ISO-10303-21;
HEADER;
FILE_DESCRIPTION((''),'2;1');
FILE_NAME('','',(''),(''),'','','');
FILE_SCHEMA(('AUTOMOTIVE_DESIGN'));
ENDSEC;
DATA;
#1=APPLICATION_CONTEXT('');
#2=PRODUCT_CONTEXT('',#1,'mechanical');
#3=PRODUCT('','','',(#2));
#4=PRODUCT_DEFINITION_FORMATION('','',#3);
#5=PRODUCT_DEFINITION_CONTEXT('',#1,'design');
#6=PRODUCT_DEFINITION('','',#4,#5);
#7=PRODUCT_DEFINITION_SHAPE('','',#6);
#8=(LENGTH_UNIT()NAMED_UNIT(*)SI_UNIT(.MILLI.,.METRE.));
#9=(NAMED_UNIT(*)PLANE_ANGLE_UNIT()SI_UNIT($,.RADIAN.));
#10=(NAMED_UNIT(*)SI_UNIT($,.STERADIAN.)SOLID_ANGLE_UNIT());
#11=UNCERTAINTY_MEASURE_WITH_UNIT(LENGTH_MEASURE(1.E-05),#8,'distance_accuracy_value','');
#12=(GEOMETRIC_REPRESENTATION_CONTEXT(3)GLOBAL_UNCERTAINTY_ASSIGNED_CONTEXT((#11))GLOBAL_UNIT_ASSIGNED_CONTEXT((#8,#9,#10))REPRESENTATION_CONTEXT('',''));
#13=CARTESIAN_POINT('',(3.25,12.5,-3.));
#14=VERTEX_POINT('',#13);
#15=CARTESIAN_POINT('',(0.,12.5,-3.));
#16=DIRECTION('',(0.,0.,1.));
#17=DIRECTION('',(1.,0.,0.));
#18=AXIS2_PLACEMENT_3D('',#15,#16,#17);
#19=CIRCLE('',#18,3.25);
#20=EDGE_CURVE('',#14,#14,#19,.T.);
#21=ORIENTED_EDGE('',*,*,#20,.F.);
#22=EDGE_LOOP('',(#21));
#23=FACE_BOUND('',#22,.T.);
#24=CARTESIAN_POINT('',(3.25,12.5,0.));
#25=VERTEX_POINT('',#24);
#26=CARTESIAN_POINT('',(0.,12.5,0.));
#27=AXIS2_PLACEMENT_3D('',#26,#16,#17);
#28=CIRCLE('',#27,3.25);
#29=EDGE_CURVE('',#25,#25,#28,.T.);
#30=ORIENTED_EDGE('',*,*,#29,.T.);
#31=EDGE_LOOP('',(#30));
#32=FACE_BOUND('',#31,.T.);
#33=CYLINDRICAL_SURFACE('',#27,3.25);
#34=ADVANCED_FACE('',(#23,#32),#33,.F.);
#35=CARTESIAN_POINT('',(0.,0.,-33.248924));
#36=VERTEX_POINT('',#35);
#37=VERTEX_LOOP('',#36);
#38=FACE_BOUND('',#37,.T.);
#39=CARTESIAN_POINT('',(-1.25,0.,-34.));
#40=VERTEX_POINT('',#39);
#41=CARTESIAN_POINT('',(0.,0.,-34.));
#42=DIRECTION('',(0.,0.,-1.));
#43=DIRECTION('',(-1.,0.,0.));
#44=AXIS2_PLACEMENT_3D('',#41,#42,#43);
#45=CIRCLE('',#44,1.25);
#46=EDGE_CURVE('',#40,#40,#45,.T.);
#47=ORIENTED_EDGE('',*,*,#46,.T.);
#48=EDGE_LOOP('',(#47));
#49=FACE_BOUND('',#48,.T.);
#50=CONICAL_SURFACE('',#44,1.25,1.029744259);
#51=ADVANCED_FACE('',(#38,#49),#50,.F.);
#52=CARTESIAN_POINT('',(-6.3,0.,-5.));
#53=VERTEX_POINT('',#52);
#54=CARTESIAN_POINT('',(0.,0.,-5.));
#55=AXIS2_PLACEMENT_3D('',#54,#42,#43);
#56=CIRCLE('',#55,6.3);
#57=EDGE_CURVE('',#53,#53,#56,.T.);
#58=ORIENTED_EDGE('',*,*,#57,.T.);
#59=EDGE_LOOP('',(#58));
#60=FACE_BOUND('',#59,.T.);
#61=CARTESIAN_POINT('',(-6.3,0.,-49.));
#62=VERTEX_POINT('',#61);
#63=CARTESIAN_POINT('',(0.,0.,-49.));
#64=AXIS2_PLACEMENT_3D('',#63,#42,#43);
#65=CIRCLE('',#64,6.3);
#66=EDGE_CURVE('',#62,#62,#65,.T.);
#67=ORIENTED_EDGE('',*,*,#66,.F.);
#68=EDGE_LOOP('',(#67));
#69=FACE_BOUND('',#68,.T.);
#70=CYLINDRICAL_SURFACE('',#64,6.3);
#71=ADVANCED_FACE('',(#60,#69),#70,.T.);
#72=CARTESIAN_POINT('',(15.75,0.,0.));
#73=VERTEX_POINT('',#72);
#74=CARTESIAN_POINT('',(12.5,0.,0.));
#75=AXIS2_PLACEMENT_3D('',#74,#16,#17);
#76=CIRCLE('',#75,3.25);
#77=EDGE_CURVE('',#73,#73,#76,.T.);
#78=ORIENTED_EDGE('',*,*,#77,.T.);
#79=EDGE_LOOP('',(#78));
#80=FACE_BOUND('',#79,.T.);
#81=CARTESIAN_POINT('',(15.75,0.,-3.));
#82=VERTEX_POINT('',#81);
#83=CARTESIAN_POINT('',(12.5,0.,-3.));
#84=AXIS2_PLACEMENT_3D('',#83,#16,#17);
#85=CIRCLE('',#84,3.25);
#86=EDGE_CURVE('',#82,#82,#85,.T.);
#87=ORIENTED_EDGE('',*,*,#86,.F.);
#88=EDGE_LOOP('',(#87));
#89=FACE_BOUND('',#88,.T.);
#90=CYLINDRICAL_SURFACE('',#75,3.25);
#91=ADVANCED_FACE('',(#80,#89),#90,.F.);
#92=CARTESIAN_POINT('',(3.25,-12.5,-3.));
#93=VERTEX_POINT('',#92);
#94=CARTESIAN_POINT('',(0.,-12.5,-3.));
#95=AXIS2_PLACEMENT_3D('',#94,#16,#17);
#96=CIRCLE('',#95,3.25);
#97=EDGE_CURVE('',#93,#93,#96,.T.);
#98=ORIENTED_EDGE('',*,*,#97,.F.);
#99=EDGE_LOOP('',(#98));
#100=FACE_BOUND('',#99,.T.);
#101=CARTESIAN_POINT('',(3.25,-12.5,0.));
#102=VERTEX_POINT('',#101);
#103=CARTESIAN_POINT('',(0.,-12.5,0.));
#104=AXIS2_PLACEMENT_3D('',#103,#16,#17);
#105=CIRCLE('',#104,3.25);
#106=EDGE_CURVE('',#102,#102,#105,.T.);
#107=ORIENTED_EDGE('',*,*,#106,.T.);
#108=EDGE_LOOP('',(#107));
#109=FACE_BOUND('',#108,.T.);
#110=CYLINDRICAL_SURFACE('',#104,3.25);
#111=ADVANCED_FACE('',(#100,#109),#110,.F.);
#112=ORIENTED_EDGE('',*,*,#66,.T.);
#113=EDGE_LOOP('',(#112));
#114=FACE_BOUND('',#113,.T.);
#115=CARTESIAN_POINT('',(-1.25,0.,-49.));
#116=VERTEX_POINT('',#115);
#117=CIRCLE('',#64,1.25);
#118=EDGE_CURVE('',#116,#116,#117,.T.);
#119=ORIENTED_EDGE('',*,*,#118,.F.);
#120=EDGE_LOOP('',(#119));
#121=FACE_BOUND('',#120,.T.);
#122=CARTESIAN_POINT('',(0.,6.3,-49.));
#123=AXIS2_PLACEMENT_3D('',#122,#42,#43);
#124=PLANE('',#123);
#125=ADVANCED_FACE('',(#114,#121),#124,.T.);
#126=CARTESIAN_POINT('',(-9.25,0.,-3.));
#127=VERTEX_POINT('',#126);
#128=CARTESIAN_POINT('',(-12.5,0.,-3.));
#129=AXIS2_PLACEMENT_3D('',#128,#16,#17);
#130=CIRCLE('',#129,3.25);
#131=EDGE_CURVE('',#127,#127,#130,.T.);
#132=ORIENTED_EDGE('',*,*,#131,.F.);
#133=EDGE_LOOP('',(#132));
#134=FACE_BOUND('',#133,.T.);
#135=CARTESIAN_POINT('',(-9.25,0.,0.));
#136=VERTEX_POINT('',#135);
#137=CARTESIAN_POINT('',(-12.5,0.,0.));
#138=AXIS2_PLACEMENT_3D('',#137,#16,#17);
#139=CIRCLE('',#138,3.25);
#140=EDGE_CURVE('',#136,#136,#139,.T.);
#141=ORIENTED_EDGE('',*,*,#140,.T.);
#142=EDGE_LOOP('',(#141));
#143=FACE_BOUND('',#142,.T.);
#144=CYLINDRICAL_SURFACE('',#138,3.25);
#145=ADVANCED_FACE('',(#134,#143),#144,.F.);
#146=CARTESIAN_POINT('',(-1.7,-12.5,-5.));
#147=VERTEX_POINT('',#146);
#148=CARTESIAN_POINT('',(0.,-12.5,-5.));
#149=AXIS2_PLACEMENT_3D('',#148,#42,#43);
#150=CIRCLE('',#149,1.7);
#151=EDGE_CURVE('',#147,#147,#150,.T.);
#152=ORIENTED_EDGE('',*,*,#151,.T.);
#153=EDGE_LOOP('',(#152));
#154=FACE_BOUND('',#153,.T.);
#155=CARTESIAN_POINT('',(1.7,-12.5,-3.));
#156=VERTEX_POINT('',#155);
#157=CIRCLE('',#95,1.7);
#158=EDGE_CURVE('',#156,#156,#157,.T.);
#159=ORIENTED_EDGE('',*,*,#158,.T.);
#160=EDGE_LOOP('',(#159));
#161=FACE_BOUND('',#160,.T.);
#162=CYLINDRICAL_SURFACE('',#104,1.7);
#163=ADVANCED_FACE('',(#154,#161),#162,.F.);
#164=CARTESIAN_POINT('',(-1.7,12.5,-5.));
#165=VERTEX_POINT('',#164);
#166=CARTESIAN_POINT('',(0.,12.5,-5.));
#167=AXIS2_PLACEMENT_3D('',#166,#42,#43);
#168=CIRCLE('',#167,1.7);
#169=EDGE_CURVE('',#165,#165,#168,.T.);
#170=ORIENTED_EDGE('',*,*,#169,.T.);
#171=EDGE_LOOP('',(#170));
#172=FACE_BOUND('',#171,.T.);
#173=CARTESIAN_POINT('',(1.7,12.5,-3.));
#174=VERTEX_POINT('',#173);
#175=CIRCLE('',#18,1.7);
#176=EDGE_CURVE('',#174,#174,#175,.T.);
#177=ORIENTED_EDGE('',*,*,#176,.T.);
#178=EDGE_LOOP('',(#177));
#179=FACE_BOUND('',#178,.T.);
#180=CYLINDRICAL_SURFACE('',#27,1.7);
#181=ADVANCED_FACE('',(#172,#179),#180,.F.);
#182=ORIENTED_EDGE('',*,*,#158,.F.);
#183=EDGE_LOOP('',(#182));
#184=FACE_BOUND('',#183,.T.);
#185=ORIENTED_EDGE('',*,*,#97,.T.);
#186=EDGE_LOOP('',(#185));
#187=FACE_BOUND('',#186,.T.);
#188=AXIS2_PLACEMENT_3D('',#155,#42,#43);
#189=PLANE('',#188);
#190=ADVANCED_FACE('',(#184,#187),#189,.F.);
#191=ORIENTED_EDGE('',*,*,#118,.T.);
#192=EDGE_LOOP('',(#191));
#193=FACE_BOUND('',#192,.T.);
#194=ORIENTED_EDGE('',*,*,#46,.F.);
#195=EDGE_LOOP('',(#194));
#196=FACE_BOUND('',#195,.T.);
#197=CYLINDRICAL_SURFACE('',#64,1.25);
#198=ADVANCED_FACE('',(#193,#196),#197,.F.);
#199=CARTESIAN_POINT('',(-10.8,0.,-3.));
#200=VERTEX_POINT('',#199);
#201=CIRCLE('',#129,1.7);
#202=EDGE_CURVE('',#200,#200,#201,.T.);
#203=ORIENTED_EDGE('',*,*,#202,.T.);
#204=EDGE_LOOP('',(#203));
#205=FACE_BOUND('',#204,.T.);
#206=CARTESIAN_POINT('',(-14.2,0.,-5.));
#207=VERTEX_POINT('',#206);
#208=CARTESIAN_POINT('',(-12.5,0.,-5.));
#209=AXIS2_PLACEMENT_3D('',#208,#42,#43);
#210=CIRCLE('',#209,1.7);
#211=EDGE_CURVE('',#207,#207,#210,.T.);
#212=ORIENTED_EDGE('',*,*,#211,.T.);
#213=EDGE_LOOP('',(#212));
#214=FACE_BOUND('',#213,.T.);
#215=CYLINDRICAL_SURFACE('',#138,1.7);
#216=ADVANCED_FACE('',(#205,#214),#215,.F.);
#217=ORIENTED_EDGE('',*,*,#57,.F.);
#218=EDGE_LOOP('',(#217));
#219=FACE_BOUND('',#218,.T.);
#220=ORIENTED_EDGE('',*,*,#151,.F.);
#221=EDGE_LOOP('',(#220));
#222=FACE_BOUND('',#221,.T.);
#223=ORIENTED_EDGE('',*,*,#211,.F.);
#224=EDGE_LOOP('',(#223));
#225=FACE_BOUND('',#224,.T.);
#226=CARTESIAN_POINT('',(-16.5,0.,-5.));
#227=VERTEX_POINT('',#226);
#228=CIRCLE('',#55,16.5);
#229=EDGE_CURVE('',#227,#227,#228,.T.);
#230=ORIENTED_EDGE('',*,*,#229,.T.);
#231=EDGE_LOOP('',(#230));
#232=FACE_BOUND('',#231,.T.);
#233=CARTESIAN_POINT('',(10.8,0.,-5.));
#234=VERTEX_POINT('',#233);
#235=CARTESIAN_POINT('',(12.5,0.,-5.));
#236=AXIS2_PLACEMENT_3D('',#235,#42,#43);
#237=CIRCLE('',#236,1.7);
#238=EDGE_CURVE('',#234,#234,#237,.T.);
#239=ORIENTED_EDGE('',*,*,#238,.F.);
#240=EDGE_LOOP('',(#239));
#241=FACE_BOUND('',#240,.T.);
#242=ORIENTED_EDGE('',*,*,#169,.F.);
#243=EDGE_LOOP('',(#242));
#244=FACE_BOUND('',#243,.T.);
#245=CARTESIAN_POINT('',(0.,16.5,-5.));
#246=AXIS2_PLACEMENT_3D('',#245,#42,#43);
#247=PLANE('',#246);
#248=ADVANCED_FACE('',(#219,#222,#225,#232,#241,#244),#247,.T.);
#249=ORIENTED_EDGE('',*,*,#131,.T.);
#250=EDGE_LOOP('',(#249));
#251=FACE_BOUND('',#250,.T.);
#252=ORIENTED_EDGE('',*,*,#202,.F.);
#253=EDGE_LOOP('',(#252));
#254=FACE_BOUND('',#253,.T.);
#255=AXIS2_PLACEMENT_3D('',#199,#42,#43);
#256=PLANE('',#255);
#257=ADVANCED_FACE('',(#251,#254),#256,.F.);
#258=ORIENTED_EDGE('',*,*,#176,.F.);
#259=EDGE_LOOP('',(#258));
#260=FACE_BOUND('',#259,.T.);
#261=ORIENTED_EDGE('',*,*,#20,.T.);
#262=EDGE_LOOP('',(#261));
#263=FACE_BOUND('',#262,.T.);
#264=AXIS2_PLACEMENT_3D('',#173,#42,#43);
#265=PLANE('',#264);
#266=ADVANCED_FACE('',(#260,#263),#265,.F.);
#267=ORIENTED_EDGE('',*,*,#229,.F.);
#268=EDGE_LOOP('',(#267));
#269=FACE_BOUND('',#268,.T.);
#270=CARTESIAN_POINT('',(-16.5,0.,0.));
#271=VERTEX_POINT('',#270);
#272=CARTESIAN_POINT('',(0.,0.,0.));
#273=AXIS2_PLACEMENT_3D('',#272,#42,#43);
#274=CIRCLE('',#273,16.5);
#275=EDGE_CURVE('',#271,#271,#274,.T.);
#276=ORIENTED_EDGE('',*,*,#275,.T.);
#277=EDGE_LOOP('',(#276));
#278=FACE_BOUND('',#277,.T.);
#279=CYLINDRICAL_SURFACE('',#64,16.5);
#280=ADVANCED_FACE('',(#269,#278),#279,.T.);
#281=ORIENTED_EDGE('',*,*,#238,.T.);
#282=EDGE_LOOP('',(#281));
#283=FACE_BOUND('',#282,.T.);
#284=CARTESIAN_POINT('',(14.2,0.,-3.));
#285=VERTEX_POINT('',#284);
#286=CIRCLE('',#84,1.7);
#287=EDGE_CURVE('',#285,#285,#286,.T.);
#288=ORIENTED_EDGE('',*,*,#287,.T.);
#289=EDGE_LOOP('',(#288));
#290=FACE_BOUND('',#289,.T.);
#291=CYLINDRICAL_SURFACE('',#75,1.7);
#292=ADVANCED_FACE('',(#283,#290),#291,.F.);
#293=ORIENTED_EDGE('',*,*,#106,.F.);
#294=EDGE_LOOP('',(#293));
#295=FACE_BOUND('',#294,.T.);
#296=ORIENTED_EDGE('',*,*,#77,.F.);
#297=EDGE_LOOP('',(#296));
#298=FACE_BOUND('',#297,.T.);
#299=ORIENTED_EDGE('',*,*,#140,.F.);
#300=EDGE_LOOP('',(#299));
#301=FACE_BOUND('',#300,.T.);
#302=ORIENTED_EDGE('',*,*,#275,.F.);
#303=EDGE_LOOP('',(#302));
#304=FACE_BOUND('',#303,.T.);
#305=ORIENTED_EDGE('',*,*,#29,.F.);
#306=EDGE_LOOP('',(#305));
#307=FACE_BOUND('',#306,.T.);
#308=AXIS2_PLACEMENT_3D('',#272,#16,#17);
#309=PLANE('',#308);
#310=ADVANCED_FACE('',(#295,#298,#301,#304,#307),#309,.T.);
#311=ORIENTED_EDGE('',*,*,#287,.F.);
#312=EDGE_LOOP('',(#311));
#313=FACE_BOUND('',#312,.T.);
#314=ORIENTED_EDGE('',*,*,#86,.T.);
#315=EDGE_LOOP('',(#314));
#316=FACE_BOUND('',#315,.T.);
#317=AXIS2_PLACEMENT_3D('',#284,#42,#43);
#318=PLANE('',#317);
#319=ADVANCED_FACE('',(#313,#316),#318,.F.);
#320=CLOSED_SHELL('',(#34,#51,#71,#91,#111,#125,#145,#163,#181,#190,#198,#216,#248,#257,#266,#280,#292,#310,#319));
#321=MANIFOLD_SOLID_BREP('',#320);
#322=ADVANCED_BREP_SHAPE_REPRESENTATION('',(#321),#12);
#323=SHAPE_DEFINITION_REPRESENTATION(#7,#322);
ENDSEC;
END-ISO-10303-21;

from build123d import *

# Parameters (mm, degrees)
HOLE_WIZARD_M31_D           = 3.4
HOLE_WIZARD_M31_CBORE_D     = 6.5
HOLE_WIZARD_M31_CBORE_DEPTH = 3
M3X0_51_D                   = 2.5
M3X0_51_DEPTH               = 15
M3X0_51_TIP                 = 0.751075774


with BuildPart() as part:
    # Эскиз2 → Повернуть1 (revolve)
    with BuildSketch(Plane(origin=(0, 0, 0), x_dir=(0, 0, -1), z_dir=(1, 0, 0)), mode=Mode.PRIVATE) as revolve_1_sk:
        Polygon((0, 0), (0, 16.5), (5, 16.5), (5, 6.3), (49, 6.3), (49, 0), align=None)
    revolve(revolve_1_sk.sketch.rotate(Axis((0, 0, -49), (0, 0, 1)), 90), axis=Axis((0, 0, -49), (0, 0, 1)))

    # Цековка для винта с внутренним шестигранником M31 (through all)
    with Locations(Plane.XY):
        with Locations((-12.5, 0), (0, 12.5), (12.5, 0), (0, -12.5)):
            CounterBoreHole(HOLE_WIZARD_M31_D / 2, HOLE_WIZARD_M31_CBORE_D / 2, HOLE_WIZARD_M31_CBORE_DEPTH)

    # Отверстие обработанное метчиком M3x0.51
    with Locations(Plane(origin=(2.706733298, -7.232806727, -49), x_dir=(-0.6355249951810988, -0.7720802940757291, 0), z_dir=(0, 0, -1))):
        with Locations((-3.864110878, 6.686444901)):
            Hole(M3X0_51_D / 2, depth=M3X0_51_DEPTH)
            with Locations((0, 0, -(M3X0_51_DEPTH + M3X0_51_TIP / 2))):  # 118° drill point
                Cone(0, M3X0_51_D / 2, M3X0_51_TIP, mode=Mode.SUBTRACT)


solid = part.part
